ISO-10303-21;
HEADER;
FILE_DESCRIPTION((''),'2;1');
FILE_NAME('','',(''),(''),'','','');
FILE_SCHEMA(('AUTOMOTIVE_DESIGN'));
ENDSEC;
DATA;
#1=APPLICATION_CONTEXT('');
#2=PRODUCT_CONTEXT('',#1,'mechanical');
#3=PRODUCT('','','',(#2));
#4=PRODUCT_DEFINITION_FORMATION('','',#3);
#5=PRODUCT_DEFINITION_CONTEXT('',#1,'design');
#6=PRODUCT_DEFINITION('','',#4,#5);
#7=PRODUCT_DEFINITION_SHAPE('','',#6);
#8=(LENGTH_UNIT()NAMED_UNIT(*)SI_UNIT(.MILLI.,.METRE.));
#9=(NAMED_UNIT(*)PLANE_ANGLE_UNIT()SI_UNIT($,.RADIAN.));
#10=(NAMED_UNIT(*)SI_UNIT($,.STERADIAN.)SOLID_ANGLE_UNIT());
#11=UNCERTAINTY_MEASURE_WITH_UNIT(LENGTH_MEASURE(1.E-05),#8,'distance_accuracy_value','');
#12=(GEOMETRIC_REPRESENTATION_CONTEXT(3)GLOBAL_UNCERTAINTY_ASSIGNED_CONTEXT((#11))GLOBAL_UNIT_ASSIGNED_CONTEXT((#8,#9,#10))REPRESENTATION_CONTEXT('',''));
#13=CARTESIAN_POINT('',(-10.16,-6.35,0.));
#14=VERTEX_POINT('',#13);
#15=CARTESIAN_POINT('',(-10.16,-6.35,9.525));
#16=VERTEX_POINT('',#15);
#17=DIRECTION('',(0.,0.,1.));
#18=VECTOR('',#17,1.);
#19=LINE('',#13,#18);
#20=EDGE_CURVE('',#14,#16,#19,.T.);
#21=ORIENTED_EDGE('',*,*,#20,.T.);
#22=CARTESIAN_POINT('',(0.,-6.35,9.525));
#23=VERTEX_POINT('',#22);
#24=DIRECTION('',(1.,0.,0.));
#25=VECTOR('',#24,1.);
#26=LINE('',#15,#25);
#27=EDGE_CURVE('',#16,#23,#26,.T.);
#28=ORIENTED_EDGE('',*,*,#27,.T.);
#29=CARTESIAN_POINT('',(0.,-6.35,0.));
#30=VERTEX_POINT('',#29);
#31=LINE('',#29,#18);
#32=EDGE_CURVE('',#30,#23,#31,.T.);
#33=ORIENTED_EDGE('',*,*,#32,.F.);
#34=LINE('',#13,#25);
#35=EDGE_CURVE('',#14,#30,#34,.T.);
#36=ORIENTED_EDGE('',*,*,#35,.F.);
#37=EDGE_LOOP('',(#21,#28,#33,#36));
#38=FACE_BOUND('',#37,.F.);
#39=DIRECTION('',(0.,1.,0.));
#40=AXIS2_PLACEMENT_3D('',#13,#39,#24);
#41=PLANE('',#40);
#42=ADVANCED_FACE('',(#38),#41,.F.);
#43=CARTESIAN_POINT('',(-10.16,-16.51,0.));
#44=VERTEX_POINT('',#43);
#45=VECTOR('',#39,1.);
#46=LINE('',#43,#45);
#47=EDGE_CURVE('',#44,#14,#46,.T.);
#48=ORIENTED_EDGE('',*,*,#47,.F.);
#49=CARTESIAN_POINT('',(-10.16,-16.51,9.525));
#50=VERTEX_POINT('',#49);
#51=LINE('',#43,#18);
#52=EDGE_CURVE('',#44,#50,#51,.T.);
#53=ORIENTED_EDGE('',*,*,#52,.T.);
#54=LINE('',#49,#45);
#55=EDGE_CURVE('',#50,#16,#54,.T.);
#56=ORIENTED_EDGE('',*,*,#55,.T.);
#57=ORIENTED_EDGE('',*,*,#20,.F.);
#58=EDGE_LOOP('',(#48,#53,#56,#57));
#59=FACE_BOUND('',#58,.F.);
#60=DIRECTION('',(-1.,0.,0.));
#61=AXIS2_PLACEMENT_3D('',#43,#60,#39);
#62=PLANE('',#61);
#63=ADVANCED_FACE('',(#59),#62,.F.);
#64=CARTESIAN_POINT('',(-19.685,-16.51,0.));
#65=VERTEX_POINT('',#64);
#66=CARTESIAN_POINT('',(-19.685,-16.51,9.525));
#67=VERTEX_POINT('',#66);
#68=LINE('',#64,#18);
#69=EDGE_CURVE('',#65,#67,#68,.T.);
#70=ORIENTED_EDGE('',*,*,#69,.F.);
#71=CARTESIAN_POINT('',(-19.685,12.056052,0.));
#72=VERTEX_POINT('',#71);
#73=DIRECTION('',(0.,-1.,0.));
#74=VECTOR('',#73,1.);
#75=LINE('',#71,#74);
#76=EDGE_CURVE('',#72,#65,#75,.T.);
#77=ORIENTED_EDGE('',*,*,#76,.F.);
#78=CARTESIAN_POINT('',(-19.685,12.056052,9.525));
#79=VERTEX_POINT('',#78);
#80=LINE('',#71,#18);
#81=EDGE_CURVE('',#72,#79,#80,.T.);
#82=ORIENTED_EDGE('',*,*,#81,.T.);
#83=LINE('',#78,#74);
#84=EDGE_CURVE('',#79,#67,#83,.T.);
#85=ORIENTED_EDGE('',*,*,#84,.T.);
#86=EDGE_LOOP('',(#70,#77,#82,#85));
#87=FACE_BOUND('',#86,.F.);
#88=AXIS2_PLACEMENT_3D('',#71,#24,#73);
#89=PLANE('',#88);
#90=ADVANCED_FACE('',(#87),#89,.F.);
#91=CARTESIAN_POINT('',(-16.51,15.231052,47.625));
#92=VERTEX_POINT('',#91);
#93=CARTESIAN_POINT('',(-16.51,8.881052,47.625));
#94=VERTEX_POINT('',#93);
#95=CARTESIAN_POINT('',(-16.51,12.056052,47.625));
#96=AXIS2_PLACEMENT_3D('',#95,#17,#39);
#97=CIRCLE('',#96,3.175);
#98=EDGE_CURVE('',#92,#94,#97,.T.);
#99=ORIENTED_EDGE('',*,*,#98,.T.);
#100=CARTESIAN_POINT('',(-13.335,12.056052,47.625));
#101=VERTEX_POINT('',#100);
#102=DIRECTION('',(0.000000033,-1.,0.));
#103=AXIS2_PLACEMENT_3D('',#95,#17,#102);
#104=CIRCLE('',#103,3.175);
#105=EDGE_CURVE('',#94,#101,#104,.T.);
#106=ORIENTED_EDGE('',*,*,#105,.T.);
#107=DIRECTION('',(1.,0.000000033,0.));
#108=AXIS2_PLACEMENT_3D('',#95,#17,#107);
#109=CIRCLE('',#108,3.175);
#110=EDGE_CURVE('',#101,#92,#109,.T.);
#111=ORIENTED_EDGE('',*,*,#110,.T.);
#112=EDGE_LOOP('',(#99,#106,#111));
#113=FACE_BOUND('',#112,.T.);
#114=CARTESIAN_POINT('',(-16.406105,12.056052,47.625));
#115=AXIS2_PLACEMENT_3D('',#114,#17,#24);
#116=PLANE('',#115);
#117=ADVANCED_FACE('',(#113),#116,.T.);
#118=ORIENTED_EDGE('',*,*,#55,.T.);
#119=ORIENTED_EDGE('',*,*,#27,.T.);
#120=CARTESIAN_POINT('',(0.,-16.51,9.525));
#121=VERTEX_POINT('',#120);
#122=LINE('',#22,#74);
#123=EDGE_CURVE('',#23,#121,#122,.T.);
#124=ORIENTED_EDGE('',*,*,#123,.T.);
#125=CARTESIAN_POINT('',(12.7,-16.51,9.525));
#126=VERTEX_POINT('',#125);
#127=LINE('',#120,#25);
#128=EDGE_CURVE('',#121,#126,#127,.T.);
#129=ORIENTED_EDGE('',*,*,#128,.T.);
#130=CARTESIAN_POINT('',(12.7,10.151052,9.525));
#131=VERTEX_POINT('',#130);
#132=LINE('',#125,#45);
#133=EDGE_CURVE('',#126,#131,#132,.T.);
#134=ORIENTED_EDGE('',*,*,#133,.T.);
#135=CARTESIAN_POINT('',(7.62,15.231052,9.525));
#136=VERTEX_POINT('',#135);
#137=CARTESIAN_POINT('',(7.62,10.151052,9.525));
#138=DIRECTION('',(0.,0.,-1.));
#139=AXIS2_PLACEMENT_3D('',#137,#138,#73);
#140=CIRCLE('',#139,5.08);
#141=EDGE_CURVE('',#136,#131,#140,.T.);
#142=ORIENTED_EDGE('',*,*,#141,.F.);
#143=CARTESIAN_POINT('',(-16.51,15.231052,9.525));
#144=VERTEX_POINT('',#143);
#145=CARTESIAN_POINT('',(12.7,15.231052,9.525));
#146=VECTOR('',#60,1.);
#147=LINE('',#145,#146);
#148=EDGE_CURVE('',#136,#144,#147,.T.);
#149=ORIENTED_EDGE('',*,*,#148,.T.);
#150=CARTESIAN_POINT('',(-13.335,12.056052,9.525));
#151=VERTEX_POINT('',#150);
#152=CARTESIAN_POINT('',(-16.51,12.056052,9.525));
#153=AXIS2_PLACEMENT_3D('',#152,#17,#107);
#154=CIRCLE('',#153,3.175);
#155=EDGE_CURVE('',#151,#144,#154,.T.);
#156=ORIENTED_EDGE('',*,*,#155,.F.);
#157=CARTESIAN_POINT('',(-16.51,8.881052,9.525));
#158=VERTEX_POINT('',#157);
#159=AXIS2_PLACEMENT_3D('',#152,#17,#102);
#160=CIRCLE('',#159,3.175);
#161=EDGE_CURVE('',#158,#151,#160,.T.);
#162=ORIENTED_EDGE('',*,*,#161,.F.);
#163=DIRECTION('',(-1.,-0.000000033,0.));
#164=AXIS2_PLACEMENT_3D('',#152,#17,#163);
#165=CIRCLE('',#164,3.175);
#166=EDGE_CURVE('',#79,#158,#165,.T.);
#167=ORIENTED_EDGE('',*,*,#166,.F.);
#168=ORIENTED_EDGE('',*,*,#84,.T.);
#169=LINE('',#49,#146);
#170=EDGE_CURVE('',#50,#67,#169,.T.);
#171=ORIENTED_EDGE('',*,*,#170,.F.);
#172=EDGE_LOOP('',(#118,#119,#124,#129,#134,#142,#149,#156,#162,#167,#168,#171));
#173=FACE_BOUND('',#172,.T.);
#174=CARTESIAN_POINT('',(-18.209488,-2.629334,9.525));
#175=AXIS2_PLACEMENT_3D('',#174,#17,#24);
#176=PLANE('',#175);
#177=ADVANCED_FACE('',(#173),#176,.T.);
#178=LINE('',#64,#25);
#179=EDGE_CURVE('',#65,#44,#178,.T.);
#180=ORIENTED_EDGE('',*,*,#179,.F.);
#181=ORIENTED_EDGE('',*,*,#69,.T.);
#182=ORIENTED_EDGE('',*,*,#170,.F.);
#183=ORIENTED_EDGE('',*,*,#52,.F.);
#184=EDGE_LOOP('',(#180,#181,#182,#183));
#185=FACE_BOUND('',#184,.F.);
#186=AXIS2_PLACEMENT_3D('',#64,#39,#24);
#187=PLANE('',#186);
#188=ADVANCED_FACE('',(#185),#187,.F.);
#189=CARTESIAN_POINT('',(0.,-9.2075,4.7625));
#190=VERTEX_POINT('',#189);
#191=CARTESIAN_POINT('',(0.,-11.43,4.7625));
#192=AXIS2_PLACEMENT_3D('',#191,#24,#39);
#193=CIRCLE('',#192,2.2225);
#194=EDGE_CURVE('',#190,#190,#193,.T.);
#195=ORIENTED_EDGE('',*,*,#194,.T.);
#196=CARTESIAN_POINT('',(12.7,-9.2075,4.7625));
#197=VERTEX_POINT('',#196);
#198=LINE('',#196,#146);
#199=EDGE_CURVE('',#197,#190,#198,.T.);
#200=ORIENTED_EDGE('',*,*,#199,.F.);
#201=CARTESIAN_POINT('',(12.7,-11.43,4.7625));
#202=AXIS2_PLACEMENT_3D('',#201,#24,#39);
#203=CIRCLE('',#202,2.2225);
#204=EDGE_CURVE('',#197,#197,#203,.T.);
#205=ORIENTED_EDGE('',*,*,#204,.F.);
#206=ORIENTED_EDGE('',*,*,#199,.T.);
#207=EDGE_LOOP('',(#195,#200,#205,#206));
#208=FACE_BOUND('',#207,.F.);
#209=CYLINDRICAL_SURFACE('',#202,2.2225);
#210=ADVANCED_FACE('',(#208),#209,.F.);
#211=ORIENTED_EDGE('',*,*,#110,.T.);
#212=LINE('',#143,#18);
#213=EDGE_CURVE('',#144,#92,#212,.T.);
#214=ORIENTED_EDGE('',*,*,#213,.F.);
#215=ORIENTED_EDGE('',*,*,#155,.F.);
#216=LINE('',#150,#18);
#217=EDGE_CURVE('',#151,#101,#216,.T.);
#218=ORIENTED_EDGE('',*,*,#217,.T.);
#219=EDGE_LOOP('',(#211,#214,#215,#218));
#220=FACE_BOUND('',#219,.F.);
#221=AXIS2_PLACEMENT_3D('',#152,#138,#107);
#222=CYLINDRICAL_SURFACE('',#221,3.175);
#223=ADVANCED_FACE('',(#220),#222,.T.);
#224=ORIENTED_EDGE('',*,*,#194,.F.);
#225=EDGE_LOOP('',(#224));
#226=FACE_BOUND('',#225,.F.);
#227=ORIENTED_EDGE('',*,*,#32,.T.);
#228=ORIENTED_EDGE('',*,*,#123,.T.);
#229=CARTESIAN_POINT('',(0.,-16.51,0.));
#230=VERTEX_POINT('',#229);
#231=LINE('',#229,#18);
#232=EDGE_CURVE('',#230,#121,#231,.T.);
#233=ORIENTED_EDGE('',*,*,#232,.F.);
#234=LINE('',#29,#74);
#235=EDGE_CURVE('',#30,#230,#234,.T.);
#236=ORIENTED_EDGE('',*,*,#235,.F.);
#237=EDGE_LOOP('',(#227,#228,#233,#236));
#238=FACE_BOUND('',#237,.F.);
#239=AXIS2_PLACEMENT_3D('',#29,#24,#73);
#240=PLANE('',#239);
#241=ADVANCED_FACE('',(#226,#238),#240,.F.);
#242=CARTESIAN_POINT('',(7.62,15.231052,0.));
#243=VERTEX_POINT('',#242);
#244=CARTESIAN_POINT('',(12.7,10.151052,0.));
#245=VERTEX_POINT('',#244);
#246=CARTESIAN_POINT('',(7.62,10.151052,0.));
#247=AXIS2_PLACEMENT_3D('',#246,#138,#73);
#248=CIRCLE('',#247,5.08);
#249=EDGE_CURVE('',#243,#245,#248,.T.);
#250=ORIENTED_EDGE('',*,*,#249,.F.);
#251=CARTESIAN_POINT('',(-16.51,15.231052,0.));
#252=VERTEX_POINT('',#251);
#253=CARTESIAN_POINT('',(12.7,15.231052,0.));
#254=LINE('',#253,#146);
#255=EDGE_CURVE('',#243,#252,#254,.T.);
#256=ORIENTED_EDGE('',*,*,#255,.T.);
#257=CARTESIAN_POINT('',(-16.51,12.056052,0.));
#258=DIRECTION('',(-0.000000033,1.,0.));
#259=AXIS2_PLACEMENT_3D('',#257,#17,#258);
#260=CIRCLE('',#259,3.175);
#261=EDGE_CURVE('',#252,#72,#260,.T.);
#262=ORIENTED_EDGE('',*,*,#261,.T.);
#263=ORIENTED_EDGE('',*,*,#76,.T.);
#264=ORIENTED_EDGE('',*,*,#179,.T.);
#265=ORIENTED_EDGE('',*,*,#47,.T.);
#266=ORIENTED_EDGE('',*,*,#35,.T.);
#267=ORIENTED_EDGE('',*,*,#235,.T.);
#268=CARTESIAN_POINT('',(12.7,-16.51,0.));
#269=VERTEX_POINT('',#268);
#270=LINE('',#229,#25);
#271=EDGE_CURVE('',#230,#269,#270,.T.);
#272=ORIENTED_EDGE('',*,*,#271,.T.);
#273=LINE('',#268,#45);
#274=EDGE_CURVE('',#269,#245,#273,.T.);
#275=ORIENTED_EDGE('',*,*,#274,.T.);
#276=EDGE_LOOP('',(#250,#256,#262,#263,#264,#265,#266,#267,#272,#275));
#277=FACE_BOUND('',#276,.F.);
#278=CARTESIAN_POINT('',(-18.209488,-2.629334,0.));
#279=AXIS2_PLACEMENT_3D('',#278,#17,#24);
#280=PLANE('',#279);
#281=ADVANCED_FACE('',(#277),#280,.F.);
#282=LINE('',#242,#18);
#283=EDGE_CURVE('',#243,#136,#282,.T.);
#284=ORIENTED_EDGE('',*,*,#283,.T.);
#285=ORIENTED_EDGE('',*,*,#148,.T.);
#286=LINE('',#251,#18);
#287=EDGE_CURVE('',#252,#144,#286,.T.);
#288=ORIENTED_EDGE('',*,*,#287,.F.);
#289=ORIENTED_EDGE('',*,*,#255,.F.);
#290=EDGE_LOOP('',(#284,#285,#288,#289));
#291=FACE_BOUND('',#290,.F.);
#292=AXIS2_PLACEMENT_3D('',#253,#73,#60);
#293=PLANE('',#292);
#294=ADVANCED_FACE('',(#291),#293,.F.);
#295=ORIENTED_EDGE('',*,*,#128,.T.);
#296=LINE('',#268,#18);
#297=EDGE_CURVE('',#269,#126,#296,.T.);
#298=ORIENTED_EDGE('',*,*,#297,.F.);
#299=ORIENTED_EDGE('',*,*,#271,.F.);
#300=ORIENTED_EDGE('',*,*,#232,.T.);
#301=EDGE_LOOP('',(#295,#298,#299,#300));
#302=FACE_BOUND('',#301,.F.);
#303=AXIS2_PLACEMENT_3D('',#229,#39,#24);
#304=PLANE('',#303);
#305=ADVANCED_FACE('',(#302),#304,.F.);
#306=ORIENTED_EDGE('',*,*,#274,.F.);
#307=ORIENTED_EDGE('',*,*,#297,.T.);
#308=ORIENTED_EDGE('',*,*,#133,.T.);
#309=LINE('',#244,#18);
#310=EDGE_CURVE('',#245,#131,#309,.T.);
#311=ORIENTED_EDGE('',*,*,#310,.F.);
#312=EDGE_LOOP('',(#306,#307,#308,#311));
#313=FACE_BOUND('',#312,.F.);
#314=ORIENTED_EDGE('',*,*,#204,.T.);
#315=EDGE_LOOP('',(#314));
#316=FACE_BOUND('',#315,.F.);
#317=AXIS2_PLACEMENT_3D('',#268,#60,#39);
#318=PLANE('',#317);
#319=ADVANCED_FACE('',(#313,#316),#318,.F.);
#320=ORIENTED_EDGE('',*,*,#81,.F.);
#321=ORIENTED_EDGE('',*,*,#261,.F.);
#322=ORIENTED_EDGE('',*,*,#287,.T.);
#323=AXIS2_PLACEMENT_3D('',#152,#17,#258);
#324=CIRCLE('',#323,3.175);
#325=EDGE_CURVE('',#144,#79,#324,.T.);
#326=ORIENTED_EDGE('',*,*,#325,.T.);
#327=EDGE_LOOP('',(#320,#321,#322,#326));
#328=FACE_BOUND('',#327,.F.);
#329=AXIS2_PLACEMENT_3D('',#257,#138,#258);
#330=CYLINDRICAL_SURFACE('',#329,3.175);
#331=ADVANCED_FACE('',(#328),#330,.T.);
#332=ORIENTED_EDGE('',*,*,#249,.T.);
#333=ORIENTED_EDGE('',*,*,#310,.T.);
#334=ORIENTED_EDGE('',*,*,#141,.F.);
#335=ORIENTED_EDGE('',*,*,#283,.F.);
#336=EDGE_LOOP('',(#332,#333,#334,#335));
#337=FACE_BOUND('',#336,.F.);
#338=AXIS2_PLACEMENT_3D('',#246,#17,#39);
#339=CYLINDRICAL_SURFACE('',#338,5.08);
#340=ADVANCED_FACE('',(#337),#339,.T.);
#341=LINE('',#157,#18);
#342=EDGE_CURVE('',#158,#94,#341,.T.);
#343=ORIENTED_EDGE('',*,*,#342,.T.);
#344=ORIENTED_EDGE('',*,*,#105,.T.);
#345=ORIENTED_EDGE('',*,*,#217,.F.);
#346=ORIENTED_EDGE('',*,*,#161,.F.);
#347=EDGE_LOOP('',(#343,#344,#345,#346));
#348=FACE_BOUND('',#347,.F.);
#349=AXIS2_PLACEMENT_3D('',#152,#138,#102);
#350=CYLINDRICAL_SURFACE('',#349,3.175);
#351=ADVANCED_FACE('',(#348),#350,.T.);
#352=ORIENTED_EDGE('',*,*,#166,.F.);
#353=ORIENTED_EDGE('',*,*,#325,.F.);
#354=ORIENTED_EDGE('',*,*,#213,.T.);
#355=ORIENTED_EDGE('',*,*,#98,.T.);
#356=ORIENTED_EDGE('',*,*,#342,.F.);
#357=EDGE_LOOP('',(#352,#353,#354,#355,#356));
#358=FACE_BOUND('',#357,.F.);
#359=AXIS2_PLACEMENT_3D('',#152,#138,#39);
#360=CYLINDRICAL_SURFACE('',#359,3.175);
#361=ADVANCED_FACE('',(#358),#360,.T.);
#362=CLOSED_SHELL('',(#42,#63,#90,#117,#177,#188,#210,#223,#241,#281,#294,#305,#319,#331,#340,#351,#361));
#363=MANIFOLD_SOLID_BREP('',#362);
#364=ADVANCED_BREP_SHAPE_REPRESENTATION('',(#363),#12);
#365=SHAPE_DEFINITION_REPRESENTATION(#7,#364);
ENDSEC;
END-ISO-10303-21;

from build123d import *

# Parameters (mm, degrees)
F1_DEPTH = 9.525
F3_DEPTH = 38.1
F4_R     = 2.2225
F5_DEPTH = 12.7
F6_R     = 5.08
F7_DEPTH = 9.525


with BuildPart() as f1:
    # F0 (on Top) → F1 (new body)
    with BuildSketch(Plane.XY):
        with BuildLine():
            Line((-10.16, -16.51), (-10.16, -6.35))
            Line((-10.16, -6.35), (0, -6.35))
            Line((0, -6.35), (0, -16.51))
            Line((0, -16.51), (12.7, -16.51))
            Line((12.7, -16.51), (12.7, -6.35))
            Line((12.7, -6.35), (12.7, 15.231052))
            Line((12.7, 15.231052), (-16.51, 15.231052))
            ThreePointArc((-16.51, 15.231052), (-18.755064, 14.301116), (-19.685, 12.056052))
            ThreePointArc((-19.685, 12.056052), (-18.755064, 9.810988), (-16.51, 8.881052))
            Line((-16.51, 8.881052), (-16.51, -16.51))
            Line((-16.51, -16.51), (-10.16, -16.51))
        make_face()
    extrude(amount=F1_DEPTH)

    # F2 (on face) → F3 (join)
    with BuildSketch(Plane.XY.offset(9.525)):
        with BuildLine():
            ThreePointArc((-16.51, 8.881052), (-14.264936, 9.810988), (-13.335, 12.056052))
            ThreePointArc((-13.335, 12.056052), (-14.264936, 14.301116), (-16.51, 15.231052))
            ThreePointArc((-16.51, 15.231052), (-19.685, 12.056052), (-16.51, 8.881052))
        make_face()
    extrude(amount=F3_DEPTH)

    # F4 (on face) → F5 (cut, through all)
    with BuildSketch(Plane.YZ.offset(12.7)):
        with Locations((-11.43, 4.7625)):
            Circle(F4_R)
    extrude(amount=-F5_DEPTH, mode=Mode.SUBTRACT)

    # F6
    f6_edges = [f1.edges().sort_by_distance(p)[0] for p in [
        (12.7, 15.231052, 4.7625),
    ]]
    fillet(f6_edges, radius=F6_R)

    # F0 (on Top) → F7 (join)
    with BuildSketch(Plane.XY):
        with BuildLine():
            Line((-19.685, -16.51), (-16.51, -16.51))
            Line((-16.51, -16.51), (-16.51, 8.881052))
            ThreePointArc((-16.51, 8.881052), (-18.755064, 9.810988), (-19.685, 12.056052))
            Line((-19.685, 12.056052), (-19.685, -16.51))
        make_face()
    extrude(amount=F7_DEPTH)


solid = f1.part
